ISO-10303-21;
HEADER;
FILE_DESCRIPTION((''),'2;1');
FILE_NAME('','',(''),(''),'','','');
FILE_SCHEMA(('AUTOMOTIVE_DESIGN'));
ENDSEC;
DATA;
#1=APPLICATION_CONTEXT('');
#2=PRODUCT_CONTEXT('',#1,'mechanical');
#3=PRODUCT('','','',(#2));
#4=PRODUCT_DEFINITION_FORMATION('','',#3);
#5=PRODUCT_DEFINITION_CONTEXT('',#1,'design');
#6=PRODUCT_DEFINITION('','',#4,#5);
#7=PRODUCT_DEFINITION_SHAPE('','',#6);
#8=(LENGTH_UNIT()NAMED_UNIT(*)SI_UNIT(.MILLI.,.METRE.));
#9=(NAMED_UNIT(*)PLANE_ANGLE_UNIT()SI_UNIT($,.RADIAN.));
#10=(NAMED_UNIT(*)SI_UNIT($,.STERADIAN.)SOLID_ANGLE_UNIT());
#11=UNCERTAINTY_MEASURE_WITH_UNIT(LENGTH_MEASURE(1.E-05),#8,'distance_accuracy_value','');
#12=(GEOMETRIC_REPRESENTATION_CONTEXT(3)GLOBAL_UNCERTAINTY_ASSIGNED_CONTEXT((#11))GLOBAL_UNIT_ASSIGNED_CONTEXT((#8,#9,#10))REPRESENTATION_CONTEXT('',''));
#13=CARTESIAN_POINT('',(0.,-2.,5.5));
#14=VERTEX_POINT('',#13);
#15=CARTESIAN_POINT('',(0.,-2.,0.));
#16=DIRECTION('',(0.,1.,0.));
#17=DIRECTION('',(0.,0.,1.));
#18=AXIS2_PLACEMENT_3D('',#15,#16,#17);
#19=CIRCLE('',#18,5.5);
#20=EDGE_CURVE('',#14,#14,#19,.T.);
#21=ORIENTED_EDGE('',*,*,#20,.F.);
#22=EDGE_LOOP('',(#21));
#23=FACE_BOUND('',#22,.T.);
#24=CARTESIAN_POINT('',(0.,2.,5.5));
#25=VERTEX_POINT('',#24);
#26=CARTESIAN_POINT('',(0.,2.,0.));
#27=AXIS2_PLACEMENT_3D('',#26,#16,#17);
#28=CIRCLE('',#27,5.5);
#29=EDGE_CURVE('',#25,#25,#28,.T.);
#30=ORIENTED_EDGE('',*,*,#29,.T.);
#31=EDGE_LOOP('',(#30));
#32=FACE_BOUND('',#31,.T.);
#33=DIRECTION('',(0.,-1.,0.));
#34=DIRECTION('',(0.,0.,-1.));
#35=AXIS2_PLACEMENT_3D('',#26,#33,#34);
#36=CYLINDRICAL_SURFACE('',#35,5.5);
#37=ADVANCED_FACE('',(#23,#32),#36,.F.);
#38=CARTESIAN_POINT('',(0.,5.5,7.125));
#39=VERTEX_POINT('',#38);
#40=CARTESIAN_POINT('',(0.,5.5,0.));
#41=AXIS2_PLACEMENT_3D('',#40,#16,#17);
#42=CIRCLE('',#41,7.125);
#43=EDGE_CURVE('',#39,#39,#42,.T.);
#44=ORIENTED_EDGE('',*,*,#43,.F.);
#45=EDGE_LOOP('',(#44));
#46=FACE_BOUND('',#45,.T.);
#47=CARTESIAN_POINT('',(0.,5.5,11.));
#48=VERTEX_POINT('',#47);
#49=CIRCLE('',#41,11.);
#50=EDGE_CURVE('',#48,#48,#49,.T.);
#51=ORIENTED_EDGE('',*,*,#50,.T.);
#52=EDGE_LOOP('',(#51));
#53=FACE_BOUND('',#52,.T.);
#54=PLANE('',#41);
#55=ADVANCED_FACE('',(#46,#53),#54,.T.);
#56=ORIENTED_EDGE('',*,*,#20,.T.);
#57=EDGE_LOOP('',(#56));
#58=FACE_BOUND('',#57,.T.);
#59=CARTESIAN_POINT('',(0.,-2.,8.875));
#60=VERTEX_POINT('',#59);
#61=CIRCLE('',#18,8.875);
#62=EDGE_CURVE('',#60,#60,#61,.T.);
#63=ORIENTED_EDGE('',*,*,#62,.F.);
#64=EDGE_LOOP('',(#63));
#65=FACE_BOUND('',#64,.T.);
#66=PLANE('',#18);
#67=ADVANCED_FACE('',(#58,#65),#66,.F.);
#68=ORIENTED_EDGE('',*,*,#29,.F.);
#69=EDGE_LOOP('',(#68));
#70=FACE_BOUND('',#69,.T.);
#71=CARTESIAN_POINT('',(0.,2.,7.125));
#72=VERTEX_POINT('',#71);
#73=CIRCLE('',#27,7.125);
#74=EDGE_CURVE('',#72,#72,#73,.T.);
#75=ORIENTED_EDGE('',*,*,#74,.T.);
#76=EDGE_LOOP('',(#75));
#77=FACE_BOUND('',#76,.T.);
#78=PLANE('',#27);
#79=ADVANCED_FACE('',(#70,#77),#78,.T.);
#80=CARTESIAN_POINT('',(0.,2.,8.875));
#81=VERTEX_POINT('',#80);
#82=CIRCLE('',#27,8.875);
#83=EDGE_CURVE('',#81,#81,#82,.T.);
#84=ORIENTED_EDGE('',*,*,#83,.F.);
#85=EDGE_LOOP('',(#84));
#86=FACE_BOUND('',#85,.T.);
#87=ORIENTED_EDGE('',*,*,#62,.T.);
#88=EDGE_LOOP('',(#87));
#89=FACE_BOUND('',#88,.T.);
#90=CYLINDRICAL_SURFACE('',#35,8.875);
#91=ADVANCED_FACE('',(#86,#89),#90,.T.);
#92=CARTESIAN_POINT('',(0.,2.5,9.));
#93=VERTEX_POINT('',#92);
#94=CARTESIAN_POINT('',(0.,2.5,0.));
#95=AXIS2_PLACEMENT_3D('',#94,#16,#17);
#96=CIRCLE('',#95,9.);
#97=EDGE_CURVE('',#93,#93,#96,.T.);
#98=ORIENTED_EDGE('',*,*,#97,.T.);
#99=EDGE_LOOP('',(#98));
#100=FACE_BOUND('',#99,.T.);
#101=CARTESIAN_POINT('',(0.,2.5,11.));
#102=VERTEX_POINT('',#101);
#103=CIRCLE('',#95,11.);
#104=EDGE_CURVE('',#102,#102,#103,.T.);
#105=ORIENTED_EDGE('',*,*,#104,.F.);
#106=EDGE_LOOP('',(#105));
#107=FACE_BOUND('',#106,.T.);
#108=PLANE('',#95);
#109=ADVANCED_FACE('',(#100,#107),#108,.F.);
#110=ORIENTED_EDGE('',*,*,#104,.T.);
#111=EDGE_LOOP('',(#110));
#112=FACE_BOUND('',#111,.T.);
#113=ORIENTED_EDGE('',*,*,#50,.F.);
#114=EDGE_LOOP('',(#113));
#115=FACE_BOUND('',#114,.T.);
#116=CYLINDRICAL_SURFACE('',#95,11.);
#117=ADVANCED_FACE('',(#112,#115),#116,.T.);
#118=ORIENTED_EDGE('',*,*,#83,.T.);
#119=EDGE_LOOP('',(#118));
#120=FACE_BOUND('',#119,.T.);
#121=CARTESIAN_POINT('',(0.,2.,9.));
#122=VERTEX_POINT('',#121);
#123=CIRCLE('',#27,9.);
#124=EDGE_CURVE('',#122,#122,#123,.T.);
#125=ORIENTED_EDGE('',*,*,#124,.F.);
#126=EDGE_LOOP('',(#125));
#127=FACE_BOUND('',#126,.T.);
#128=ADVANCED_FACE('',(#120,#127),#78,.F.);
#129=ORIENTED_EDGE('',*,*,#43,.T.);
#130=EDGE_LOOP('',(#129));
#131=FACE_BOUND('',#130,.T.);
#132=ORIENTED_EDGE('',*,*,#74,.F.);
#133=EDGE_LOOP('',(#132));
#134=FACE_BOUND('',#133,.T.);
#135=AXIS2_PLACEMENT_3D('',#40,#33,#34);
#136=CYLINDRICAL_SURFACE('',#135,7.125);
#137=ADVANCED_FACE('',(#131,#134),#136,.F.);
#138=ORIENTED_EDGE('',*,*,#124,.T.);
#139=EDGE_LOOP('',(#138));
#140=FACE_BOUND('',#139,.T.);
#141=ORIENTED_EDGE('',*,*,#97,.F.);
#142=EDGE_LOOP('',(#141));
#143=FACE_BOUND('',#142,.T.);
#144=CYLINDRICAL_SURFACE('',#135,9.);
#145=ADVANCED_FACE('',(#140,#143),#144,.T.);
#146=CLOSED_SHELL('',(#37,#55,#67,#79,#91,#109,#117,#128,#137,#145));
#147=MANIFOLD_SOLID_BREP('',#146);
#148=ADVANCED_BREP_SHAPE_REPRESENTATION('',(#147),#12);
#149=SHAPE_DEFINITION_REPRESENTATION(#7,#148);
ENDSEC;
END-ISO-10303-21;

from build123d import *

# Parameters (mm, degrees)
SKETCH1_R           = 8.875
SKETCH1_R_2         = 5.5
BOSS_EXTRUDE1_DEPTH = 2
SKETCH2_R           = 9
SKETCH2_R_2         = 7.125
BOSS_EXTRUDE2_DEPTH = 3.5
SKETCH3_R           = 11
SKETCH3_R_2         = 9
BOSS_EXTRUDE3_DEPTH = 3


with BuildPart() as part:
    # Sketch1 → Boss-Extrude1 (new body, symmetric)
    with BuildSketch(Plane(origin=(0, 0, 0), x_dir=(1, 0, 0), z_dir=(0, 1, 0))):
        Circle(SKETCH1_R)
        Circle(SKETCH1_R_2, mode=Mode.SUBTRACT)
    extrude(amount=BOSS_EXTRUDE1_DEPTH, both=True)

    # Sketch2 → Boss-Extrude2 (add)
    with BuildSketch(Plane(origin=(0, 2, 0), x_dir=(1, 0, 0), z_dir=(0, 1, 0))):
        Circle(SKETCH2_R)
        Circle(SKETCH2_R_2, mode=Mode.SUBTRACT)
    extrude(amount=BOSS_EXTRUDE2_DEPTH)

    # Sketch3 → Boss-Extrude3 (add)
    with BuildSketch(Plane(origin=(0, 5.5, 0), x_dir=(1, 0, 0), z_dir=(0, 1, 0))):
        Circle(SKETCH3_R)
        Circle(SKETCH3_R_2, mode=Mode.SUBTRACT)
    extrude(amount=-BOSS_EXTRUDE3_DEPTH)


solid = part.part
